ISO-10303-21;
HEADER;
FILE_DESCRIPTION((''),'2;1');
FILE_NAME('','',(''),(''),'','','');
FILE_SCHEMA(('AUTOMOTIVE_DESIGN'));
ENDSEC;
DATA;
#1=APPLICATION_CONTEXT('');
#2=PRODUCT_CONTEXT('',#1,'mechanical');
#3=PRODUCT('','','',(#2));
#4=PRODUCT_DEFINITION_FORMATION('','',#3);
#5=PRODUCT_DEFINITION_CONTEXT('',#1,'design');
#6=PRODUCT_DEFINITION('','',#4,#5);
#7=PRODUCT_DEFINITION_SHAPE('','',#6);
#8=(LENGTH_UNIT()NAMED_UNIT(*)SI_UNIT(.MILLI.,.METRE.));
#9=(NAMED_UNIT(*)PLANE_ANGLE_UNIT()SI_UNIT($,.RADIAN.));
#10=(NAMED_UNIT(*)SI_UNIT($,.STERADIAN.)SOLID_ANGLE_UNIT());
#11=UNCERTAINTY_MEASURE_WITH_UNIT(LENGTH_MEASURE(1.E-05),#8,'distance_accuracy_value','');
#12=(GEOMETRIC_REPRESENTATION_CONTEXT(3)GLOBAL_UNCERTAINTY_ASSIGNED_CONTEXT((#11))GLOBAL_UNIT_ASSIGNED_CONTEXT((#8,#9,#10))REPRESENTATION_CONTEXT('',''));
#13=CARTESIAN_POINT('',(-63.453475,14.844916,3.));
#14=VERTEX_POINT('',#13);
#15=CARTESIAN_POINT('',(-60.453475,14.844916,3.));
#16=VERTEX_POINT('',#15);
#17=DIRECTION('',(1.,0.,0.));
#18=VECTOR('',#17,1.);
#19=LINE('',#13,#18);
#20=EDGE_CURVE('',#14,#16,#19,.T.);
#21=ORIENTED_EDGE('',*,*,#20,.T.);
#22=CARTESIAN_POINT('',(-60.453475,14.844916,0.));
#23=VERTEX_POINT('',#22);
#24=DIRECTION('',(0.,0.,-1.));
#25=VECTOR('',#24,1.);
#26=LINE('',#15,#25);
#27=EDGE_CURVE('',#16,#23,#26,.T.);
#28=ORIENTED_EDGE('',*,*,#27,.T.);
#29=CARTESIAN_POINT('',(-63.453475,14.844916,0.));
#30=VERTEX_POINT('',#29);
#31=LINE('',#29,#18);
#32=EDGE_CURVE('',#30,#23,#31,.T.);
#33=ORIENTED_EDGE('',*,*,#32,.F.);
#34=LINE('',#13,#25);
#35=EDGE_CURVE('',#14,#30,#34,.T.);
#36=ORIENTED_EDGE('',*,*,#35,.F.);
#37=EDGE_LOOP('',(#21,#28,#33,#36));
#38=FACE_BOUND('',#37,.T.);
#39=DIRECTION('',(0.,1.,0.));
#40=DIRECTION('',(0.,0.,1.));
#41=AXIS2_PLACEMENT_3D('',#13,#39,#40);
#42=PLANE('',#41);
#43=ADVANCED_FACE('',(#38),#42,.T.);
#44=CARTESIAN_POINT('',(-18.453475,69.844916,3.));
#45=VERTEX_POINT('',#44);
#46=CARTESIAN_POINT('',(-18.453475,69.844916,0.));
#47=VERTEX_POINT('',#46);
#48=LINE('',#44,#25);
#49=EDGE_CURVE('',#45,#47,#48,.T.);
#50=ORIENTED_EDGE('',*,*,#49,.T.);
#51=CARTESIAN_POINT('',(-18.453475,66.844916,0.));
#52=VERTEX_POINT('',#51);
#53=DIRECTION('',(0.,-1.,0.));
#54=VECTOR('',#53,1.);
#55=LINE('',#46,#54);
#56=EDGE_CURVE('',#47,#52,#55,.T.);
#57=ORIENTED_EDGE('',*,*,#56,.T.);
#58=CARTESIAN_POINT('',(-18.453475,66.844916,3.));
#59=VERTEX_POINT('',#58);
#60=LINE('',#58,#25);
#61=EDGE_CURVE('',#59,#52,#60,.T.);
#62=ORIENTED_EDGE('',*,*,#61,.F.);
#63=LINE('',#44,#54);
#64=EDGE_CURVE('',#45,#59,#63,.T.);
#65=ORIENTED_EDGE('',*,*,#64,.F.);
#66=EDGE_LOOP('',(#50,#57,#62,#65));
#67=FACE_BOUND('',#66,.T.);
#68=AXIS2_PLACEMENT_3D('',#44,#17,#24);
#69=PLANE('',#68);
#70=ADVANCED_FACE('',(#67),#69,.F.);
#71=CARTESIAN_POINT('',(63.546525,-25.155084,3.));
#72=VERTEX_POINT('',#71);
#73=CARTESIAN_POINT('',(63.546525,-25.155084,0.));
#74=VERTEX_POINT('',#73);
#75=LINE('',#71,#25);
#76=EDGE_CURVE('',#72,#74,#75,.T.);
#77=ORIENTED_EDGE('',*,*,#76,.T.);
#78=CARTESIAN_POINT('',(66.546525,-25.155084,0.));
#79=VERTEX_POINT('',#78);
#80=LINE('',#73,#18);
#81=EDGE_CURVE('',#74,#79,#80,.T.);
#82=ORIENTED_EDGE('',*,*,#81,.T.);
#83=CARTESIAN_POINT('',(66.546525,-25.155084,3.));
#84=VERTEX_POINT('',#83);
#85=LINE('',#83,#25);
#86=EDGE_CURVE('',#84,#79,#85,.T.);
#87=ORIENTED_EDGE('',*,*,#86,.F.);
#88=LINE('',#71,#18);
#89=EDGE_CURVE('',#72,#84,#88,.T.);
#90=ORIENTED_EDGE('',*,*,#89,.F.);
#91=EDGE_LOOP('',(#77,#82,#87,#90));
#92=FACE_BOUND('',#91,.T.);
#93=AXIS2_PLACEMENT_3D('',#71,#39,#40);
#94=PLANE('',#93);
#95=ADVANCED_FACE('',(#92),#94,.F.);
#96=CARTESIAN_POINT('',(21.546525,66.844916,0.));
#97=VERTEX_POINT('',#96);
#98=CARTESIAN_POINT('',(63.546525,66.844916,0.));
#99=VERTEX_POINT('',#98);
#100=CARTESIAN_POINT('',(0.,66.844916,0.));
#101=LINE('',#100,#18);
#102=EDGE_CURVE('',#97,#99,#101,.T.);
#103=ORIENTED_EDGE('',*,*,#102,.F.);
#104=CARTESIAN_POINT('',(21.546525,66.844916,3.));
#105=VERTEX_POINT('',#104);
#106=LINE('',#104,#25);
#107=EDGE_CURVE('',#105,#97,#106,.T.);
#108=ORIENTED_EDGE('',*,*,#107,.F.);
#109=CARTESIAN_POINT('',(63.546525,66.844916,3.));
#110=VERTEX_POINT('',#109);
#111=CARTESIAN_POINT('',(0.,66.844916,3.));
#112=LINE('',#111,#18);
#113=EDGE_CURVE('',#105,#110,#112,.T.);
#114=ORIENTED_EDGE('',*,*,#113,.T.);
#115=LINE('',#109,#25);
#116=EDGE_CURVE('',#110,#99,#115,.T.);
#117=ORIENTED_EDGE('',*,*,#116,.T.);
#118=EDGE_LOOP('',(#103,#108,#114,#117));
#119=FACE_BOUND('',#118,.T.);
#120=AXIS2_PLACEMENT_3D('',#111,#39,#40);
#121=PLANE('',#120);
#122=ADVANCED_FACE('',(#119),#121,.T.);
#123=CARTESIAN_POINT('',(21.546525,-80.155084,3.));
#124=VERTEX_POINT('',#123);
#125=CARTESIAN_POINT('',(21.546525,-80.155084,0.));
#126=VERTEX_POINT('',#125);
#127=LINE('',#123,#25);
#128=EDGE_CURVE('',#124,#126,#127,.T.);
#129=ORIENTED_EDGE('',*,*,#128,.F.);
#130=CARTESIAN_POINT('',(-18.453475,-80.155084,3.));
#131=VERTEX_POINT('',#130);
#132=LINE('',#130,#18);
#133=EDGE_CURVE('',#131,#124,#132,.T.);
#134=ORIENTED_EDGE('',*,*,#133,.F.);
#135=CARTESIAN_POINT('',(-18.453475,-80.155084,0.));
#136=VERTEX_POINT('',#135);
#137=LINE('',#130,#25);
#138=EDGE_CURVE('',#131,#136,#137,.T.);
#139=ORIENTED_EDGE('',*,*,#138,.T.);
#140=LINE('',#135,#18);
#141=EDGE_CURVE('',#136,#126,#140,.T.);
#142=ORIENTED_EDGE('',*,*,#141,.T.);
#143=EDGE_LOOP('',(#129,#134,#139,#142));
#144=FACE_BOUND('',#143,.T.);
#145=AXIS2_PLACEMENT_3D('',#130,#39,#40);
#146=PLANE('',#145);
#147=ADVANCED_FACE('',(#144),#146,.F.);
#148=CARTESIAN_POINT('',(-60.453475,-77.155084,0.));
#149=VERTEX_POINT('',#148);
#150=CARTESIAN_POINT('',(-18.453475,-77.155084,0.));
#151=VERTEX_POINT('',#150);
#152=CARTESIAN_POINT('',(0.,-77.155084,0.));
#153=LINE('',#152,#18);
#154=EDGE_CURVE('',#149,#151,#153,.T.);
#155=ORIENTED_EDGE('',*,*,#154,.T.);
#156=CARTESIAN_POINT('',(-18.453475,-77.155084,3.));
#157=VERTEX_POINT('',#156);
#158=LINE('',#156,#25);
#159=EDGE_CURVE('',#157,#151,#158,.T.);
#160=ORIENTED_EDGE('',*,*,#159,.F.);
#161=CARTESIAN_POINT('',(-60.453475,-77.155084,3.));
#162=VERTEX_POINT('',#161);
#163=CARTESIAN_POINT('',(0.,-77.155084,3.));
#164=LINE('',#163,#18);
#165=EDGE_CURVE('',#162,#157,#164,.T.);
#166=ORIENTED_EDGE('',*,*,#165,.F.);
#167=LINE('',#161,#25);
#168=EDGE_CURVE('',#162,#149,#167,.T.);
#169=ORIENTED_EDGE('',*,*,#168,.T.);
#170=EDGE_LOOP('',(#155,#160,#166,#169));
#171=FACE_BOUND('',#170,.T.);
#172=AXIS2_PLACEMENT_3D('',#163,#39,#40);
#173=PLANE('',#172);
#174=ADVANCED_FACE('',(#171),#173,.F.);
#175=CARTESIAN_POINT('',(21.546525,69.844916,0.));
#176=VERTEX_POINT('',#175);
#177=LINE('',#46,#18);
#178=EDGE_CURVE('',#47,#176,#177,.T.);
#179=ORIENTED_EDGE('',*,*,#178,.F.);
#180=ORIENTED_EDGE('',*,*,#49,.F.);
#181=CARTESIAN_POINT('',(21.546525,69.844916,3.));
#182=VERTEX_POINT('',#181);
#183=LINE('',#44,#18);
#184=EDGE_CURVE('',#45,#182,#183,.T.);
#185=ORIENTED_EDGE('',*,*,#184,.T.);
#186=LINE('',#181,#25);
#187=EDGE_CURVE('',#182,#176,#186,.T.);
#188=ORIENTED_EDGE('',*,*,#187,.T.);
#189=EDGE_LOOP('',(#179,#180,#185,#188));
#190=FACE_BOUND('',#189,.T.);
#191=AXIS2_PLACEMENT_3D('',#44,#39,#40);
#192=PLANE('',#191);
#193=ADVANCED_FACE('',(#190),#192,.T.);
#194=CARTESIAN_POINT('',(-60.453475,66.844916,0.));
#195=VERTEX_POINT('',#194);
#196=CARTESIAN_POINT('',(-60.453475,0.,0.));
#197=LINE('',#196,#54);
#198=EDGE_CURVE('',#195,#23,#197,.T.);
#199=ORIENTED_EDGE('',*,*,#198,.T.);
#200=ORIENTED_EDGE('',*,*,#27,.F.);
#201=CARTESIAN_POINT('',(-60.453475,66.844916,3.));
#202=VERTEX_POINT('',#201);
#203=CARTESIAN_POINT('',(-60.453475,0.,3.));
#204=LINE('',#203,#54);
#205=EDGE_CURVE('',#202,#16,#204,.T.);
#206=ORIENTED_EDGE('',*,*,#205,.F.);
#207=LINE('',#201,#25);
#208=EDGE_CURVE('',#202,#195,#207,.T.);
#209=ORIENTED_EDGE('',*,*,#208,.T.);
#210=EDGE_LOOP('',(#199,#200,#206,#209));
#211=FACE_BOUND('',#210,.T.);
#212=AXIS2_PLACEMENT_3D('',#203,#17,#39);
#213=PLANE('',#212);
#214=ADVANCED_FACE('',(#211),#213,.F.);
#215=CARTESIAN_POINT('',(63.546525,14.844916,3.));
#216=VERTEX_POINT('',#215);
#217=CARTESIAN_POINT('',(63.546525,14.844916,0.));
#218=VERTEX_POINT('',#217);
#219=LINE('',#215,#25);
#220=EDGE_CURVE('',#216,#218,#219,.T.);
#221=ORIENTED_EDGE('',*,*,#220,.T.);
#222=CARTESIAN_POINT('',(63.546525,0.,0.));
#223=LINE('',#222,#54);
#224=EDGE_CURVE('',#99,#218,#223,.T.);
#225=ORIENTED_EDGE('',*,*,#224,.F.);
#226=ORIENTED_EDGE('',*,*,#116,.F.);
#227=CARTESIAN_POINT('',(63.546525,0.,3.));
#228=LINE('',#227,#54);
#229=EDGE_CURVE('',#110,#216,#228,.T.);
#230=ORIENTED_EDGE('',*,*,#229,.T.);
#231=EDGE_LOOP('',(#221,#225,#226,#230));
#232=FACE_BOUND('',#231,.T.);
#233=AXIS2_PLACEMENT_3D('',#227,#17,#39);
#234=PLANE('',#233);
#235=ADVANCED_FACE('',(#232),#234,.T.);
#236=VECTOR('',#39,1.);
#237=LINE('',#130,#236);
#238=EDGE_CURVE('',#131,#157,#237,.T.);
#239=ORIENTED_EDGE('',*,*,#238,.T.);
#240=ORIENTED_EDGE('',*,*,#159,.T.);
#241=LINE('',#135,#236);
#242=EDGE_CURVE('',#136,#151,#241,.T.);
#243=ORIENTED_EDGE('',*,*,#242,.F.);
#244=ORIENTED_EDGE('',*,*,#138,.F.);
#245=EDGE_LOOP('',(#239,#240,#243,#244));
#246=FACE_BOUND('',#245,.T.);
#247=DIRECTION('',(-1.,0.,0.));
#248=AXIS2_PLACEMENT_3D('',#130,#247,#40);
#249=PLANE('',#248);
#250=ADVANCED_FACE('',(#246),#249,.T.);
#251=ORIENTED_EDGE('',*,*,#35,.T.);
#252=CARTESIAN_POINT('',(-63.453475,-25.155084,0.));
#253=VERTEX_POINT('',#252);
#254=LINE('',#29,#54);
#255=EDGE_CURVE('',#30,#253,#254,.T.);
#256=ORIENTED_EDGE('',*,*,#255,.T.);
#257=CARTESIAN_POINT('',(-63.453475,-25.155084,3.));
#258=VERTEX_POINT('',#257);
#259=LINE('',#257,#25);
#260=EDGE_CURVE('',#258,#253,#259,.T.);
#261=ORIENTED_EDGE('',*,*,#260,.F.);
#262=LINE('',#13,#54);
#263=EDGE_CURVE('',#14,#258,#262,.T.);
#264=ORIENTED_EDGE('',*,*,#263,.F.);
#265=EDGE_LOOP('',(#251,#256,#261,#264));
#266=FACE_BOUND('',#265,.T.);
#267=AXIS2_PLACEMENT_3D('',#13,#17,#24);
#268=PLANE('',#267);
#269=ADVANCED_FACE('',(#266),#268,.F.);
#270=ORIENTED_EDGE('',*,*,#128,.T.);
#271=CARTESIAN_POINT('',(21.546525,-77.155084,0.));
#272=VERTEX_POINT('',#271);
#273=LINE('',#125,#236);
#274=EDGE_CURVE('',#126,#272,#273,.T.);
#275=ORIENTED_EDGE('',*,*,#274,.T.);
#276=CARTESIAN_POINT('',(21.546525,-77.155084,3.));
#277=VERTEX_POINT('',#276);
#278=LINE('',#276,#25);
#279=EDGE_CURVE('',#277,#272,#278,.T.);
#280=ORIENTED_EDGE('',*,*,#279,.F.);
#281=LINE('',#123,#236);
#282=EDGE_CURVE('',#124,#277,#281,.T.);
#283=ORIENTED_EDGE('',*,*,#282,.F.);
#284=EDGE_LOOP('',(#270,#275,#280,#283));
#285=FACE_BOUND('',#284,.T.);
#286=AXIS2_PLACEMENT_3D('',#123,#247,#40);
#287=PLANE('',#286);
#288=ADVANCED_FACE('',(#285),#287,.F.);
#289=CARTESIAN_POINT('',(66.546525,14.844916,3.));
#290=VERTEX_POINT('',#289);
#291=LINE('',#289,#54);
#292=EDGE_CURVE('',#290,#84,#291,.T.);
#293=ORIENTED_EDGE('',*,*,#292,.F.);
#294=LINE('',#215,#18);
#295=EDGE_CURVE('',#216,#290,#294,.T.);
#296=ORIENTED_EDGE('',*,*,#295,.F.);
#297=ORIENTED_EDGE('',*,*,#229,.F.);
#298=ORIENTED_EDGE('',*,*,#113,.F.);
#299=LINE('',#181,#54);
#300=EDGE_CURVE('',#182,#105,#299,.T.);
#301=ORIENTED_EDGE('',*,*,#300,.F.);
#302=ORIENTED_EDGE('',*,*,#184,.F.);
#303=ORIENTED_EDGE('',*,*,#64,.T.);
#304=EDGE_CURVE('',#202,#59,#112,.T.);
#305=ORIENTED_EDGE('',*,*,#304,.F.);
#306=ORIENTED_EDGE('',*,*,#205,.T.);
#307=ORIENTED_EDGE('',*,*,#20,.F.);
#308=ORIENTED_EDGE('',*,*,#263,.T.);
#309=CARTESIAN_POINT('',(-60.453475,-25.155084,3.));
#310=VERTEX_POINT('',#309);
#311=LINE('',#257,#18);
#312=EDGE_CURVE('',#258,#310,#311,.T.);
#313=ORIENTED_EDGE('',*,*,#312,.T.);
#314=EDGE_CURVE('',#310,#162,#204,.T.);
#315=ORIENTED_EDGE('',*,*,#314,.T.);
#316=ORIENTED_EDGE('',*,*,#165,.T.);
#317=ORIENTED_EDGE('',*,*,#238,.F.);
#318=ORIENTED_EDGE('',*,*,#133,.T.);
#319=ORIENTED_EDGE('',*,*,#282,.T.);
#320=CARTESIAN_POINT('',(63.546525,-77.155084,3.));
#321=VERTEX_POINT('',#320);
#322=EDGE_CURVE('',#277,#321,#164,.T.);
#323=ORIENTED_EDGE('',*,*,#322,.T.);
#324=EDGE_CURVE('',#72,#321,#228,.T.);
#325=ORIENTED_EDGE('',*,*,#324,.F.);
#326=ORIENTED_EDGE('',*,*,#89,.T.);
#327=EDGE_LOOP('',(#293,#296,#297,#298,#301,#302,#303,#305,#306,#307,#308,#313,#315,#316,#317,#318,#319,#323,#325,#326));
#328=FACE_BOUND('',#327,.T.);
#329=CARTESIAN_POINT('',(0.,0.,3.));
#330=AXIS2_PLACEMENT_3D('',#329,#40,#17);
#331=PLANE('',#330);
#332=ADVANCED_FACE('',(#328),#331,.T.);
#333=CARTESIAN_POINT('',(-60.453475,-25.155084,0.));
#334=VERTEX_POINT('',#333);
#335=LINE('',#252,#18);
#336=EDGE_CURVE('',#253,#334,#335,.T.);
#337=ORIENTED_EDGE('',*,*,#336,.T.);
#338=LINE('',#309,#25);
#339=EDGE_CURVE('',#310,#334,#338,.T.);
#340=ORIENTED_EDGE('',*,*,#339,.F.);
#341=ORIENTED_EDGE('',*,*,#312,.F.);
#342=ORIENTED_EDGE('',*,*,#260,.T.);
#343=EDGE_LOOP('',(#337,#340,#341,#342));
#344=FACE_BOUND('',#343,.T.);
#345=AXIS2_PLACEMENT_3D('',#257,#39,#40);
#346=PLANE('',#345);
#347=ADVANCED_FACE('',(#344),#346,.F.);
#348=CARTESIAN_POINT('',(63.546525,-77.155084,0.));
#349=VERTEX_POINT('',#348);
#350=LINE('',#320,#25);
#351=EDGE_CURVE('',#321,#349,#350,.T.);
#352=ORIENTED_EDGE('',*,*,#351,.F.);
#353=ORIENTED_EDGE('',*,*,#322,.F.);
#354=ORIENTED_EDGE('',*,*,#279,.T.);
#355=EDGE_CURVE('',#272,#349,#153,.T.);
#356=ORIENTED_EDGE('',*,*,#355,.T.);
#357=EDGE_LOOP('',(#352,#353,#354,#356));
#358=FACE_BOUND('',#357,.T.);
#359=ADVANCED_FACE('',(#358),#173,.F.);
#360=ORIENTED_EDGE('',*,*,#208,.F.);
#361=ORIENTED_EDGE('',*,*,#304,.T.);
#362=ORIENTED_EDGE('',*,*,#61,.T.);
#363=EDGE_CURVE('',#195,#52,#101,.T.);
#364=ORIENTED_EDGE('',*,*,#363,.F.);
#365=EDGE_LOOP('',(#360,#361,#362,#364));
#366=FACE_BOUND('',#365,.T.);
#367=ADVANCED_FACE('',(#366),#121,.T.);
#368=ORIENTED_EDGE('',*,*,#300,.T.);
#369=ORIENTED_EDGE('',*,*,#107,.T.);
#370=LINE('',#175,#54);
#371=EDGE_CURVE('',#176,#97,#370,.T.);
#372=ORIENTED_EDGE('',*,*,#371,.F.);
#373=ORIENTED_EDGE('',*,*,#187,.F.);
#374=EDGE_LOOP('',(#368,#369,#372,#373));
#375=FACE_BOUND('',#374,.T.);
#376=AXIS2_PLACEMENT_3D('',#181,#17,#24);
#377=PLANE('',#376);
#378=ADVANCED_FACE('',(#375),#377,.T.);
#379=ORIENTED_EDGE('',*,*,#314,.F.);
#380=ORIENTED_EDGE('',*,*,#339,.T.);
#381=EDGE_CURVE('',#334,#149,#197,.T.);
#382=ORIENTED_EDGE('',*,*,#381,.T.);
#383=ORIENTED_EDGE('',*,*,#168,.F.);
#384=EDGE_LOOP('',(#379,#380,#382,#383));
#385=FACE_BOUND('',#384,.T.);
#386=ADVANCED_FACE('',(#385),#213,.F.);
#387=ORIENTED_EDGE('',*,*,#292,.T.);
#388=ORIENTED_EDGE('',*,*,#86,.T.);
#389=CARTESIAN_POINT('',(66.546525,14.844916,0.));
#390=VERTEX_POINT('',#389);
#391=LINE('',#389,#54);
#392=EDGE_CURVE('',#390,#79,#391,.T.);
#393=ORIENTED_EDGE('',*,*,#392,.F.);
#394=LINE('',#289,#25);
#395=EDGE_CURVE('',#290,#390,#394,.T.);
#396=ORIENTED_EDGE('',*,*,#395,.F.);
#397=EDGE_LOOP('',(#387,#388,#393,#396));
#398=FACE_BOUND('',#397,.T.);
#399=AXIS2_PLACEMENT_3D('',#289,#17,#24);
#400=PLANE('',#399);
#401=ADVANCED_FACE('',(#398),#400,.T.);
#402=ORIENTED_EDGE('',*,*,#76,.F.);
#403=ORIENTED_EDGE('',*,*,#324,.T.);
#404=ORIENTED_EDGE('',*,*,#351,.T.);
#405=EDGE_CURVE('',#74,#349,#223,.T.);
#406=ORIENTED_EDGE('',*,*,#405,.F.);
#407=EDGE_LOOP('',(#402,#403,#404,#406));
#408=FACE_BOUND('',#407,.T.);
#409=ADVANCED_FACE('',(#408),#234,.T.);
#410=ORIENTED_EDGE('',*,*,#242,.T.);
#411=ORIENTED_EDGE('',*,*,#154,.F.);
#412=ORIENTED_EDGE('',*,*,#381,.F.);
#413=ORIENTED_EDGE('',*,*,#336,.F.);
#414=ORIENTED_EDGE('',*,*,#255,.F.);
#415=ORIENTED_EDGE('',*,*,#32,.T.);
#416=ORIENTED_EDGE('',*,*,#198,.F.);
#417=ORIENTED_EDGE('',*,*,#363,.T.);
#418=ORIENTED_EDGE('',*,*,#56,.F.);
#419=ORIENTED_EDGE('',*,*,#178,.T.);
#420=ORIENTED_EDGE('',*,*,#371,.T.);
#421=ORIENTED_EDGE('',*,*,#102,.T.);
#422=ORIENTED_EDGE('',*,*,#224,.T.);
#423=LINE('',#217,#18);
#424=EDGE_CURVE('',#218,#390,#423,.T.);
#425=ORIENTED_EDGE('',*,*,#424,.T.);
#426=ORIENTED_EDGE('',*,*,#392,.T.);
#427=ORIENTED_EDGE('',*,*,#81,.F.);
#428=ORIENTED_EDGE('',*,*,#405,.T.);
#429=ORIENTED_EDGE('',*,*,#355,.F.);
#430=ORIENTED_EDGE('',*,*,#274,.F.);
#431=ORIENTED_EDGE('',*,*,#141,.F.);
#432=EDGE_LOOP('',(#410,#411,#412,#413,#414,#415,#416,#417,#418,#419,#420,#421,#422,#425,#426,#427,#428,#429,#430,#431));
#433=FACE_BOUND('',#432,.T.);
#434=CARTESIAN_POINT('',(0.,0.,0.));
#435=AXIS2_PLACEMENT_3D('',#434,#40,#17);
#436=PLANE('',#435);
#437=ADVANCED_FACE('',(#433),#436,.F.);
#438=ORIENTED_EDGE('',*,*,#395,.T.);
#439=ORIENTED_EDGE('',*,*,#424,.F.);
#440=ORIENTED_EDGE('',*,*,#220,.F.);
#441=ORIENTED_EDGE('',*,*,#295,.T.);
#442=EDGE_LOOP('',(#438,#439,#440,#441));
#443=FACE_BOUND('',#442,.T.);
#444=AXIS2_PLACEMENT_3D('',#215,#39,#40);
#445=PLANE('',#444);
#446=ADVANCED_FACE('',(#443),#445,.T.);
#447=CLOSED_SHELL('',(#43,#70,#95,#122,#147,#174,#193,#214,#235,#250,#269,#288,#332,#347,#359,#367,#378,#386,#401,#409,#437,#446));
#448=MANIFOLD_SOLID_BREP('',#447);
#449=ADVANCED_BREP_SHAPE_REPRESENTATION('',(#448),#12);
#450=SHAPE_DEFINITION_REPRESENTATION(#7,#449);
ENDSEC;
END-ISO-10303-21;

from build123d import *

# Parameters (mm, degrees)
ESBO_O2_W                = 124
ESBO_O2_H                = 144
ESBO_O2_W_2              = 3
ESBO_O2_H_2              = 40
ESBO_O2_W_3              = 40
ESBO_O2_H_3              = 3
RESSALTO_EXTRUS_O2_DEPTH = 3


with BuildPart() as part:
    # Esboço2 → Ressalto-extrusão2 (new body)
    with BuildSketch(Plane.XY):
        with Locations((1.546525062, -5.155083539)):
            Rectangle(ESBO_O2_W, ESBO_O2_H)
        with Locations((-61.953474938, -5.155083539)):
            Rectangle(ESBO_O2_W_2, ESBO_O2_H_2)
        with Locations((1.546525062, 68.344916461)):
            Rectangle(ESBO_O2_W_3, ESBO_O2_H_3)
        with Locations((65.046525062, -5.155083539)):
            Rectangle(ESBO_O2_W_2, ESBO_O2_H_2)
        with Locations((1.546525062, -78.655083539)):
            Rectangle(ESBO_O2_W_3, ESBO_O2_H_3)
    extrude(amount=RESSALTO_EXTRUS_O2_DEPTH)


solid = part.part
